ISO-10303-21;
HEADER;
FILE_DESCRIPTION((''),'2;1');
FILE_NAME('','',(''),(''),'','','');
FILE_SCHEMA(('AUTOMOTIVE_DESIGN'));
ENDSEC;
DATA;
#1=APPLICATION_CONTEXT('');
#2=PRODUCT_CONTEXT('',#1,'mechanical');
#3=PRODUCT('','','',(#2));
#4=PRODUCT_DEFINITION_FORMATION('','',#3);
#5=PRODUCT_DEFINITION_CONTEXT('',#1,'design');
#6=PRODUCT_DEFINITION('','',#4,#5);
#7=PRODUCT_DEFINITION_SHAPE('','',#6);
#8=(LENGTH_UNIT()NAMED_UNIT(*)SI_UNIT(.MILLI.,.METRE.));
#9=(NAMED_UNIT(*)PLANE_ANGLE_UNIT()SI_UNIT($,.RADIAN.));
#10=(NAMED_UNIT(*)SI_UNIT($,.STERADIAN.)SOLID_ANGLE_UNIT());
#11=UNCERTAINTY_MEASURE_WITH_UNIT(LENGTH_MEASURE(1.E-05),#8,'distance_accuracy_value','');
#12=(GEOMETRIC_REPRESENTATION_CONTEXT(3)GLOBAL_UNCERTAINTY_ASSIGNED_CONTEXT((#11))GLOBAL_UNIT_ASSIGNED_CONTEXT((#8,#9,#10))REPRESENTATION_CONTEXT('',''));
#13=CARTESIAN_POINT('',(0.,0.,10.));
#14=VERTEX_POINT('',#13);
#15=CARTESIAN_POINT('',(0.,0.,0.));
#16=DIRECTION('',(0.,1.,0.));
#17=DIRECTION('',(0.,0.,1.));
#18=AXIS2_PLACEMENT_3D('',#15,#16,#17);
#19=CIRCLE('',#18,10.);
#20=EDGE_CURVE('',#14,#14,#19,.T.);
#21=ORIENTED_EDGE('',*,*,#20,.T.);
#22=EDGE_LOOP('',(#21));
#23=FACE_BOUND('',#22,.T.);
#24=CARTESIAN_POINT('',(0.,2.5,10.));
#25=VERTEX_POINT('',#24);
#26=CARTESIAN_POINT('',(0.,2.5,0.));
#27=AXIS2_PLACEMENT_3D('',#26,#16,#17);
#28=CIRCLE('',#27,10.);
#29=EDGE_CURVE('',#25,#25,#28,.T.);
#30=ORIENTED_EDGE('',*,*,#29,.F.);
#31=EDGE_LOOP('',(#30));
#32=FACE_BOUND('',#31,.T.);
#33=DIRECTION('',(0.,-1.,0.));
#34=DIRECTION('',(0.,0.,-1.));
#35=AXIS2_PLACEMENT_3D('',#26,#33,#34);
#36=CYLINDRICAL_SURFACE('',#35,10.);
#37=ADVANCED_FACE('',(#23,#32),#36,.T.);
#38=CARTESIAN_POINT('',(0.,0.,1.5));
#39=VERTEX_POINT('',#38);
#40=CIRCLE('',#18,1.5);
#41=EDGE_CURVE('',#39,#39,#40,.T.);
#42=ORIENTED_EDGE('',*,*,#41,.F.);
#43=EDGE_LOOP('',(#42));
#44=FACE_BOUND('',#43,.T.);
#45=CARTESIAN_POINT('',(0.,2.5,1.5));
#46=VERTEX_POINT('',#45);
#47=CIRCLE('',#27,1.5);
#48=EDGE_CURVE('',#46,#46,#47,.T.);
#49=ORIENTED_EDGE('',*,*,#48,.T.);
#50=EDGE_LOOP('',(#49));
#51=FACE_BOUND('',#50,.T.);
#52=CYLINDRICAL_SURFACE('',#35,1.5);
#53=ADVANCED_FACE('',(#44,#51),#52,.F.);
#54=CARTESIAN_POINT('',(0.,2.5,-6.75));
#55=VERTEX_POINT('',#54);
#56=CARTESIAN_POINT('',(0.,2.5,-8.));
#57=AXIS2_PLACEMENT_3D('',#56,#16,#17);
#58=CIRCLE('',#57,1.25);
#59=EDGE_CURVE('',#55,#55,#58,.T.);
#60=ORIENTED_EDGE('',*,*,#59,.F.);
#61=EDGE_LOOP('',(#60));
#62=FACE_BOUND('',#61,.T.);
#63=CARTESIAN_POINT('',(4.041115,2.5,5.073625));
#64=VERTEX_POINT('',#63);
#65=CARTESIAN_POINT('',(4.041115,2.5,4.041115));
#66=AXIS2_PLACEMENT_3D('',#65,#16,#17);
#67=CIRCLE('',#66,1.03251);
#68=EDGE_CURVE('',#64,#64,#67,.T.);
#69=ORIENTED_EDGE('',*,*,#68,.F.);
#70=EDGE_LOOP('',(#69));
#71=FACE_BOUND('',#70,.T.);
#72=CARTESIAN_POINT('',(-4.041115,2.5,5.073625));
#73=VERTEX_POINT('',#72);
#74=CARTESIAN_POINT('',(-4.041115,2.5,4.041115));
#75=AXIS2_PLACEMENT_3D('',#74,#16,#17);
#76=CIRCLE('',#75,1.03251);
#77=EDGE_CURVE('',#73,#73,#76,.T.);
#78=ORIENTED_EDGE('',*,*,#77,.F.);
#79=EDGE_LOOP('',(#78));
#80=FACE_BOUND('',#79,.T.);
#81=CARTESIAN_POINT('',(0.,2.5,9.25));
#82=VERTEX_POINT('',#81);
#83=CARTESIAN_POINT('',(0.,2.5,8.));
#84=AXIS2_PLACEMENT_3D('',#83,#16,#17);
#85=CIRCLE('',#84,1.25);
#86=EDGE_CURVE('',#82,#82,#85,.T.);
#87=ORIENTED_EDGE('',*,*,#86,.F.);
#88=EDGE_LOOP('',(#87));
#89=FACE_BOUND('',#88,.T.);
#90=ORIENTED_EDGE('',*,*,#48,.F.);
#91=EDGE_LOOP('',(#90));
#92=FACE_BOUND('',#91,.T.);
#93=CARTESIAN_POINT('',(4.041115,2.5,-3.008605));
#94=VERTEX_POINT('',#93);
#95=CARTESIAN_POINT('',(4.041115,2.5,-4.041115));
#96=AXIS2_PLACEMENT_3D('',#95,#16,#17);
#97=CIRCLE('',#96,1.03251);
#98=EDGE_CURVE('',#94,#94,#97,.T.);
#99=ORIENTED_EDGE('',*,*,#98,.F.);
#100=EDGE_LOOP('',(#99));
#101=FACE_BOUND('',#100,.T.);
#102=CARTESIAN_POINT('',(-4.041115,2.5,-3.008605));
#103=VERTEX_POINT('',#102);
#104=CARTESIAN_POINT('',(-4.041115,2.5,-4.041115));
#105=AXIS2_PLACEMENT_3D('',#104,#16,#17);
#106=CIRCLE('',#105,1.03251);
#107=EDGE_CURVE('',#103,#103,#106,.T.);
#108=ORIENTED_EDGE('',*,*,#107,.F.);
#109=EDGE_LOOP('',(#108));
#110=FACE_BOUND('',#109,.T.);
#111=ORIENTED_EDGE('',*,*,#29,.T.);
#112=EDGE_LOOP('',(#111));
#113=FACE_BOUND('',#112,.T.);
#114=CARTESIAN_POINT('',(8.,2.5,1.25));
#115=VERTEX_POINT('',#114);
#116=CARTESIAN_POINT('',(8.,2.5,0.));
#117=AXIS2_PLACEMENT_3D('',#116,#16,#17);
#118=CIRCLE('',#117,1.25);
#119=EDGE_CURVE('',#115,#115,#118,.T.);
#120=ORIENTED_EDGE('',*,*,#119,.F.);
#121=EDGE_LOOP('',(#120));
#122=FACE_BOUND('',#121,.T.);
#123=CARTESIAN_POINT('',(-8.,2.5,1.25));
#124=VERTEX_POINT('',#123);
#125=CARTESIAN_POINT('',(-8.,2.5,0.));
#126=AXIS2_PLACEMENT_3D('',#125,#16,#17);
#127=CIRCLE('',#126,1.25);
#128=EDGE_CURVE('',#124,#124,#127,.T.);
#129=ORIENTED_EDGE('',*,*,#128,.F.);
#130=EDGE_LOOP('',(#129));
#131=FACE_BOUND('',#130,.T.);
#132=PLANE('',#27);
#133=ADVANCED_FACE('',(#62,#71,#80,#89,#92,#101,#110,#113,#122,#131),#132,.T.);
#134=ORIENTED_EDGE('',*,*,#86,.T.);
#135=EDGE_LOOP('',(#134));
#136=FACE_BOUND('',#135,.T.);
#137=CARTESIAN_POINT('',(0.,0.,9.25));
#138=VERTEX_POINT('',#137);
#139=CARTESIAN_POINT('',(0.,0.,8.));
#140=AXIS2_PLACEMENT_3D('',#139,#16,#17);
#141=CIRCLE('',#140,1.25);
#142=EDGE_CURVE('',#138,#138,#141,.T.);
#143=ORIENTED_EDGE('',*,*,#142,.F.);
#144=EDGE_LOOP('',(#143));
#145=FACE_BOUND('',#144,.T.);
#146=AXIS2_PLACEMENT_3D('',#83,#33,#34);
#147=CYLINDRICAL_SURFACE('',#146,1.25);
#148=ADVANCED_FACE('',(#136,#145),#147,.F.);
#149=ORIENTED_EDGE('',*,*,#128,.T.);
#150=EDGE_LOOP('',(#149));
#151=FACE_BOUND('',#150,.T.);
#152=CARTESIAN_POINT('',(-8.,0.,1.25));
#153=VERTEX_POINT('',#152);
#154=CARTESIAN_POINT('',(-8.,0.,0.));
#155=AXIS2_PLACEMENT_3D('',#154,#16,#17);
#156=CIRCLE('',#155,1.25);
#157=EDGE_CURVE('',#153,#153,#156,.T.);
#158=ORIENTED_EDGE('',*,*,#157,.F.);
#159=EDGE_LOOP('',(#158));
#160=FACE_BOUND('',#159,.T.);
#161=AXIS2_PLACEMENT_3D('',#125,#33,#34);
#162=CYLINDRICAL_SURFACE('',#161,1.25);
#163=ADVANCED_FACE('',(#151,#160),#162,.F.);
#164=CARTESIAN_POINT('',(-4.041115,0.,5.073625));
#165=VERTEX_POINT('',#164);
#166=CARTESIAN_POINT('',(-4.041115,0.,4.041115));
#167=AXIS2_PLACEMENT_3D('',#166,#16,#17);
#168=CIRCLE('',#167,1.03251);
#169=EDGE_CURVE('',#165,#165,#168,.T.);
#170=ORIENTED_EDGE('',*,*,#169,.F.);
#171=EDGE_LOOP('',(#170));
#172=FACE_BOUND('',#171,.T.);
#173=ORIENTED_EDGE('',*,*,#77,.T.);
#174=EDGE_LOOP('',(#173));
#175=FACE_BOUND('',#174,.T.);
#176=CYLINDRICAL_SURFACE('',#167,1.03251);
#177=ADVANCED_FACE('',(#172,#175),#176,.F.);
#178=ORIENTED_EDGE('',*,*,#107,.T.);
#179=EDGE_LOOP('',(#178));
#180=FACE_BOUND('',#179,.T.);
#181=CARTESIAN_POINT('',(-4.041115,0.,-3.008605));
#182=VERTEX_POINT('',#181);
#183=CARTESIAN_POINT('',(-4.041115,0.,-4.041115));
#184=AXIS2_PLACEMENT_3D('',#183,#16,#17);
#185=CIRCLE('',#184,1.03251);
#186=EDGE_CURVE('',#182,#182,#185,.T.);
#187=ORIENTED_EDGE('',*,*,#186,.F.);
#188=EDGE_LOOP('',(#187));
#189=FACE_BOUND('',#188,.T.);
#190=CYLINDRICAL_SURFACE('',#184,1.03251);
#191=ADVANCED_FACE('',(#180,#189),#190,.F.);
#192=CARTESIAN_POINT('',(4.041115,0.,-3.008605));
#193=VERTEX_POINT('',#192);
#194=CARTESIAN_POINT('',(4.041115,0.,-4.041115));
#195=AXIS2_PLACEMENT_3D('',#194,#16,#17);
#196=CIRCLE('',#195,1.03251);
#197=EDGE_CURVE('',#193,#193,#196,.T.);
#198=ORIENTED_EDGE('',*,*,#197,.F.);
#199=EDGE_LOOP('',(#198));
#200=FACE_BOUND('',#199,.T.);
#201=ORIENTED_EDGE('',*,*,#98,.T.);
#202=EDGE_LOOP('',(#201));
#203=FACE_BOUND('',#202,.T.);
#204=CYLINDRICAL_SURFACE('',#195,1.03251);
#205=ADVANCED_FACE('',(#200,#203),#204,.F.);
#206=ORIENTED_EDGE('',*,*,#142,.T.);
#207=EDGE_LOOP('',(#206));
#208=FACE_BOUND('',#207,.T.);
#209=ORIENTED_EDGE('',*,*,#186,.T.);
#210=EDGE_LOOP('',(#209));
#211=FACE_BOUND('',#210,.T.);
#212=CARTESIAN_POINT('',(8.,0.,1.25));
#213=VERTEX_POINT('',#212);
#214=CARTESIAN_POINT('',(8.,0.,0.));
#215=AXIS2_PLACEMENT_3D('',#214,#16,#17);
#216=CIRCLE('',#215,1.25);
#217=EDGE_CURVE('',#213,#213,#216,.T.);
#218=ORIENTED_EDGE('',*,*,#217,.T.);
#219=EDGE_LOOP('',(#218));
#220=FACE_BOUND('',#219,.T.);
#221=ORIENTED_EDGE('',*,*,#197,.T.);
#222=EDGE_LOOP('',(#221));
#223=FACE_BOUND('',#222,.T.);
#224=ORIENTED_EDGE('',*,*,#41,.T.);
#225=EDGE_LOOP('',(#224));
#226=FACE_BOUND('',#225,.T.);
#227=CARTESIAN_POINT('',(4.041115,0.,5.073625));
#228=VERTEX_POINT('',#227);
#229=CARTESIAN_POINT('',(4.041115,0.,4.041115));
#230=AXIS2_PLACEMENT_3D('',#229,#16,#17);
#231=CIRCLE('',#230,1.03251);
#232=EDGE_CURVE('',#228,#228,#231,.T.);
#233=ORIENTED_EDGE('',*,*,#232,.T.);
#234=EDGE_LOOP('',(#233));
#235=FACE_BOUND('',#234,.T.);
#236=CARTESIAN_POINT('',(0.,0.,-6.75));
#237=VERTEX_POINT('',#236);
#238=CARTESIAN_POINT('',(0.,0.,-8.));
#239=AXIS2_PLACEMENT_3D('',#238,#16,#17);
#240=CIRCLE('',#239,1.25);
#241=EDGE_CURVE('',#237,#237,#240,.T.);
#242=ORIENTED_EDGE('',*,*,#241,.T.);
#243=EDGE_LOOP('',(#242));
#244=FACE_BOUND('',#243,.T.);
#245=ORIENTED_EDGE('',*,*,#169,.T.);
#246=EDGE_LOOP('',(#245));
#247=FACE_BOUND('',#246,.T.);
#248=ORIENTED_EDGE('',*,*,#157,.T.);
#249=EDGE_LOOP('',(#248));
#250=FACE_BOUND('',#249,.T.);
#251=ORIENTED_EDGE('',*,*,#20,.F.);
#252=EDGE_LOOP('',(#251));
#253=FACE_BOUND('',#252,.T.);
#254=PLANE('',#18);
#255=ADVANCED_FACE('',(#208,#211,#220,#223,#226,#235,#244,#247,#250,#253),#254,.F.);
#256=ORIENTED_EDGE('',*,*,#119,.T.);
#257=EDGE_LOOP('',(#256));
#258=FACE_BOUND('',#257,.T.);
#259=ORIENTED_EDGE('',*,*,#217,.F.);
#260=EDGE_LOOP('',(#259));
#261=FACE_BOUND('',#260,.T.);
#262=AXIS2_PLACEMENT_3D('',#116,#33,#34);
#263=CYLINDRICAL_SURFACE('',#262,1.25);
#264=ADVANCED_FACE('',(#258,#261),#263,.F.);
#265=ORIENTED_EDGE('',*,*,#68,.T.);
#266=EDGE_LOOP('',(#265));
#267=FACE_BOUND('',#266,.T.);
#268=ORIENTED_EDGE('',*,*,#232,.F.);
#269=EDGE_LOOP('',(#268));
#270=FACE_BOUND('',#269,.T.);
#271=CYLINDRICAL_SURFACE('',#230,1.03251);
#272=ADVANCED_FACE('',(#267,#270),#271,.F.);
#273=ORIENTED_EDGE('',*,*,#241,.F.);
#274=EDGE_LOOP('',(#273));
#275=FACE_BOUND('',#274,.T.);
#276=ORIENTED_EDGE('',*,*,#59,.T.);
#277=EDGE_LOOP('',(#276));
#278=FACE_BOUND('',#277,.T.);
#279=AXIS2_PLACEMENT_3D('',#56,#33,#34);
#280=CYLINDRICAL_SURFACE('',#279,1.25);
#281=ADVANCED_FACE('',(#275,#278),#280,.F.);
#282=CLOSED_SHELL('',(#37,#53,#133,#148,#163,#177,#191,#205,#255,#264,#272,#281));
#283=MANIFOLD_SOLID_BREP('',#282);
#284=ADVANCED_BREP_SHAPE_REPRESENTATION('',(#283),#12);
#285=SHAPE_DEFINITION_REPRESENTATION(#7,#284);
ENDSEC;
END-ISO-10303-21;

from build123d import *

# Parameters (mm, degrees)
SKETCH1_R           = 10
SKETCH1_R_2         = 1.25
SKETCH1_R_3         = 1.5
BOSS_EXTRUDE1_DEPTH = 2.5
SKETCH2_R           = 1.03251
CUT_EXTRUDE1_DEPTH  = 15.361406616


with BuildPart() as part:
    # Sketch1 → Boss-Extrude1 (new body)
    with BuildSketch(Plane(origin=(0, 0, 0), x_dir=(1, 0, 0), z_dir=(0, 1, 0))):
        with Locations(Location((0, 0, 0), (0, 0, 270))):
            Circle(SKETCH1_R)
        with Locations(Location((-8, 0, 0), (0, 0, 270))):
            Circle(SKETCH1_R_2, mode=Mode.SUBTRACT)
        with Locations(Location((0, -8, 0), (0, 0, 270))):
            Circle(SKETCH1_R_2, mode=Mode.SUBTRACT)
        with Locations(Location((8, 0, 0), (0, 0, 270))):
            Circle(SKETCH1_R_2, mode=Mode.SUBTRACT)
        with Locations(Location((0, 8, 0), (0, 0, 270))):
            Circle(SKETCH1_R_2, mode=Mode.SUBTRACT)
        with Locations(Location((0, 0, 0), (0, 0, 270))):
            Circle(SKETCH1_R_3, mode=Mode.SUBTRACT)
    extrude(amount=BOSS_EXTRUDE1_DEPTH)

    # Sketch2 → Cut-Extrude1 (cut, through all)
    with BuildSketch(Plane(origin=(0, 2.5, 0), x_dir=(1, 0, 0), z_dir=(0, 1, 0))):
        with Locations(Location((-4.041115254, 4.041115254, 0), (0, 0, 270))):
            Circle(SKETCH2_R)
        with Locations(Location((4.041115254, 4.041115254, 0), (0, 0, 270))):
            Circle(SKETCH2_R)
        with Locations(Location((4.041115254, -4.041115254, 0), (0, 0, 270))):
            Circle(SKETCH2_R)
        with Locations(Location((-4.041115254, -4.041115254, 0), (0, 0, 270))):
            Circle(SKETCH2_R)
    extrude(amount=-CUT_EXTRUDE1_DEPTH, mode=Mode.SUBTRACT)


solid = part.part
